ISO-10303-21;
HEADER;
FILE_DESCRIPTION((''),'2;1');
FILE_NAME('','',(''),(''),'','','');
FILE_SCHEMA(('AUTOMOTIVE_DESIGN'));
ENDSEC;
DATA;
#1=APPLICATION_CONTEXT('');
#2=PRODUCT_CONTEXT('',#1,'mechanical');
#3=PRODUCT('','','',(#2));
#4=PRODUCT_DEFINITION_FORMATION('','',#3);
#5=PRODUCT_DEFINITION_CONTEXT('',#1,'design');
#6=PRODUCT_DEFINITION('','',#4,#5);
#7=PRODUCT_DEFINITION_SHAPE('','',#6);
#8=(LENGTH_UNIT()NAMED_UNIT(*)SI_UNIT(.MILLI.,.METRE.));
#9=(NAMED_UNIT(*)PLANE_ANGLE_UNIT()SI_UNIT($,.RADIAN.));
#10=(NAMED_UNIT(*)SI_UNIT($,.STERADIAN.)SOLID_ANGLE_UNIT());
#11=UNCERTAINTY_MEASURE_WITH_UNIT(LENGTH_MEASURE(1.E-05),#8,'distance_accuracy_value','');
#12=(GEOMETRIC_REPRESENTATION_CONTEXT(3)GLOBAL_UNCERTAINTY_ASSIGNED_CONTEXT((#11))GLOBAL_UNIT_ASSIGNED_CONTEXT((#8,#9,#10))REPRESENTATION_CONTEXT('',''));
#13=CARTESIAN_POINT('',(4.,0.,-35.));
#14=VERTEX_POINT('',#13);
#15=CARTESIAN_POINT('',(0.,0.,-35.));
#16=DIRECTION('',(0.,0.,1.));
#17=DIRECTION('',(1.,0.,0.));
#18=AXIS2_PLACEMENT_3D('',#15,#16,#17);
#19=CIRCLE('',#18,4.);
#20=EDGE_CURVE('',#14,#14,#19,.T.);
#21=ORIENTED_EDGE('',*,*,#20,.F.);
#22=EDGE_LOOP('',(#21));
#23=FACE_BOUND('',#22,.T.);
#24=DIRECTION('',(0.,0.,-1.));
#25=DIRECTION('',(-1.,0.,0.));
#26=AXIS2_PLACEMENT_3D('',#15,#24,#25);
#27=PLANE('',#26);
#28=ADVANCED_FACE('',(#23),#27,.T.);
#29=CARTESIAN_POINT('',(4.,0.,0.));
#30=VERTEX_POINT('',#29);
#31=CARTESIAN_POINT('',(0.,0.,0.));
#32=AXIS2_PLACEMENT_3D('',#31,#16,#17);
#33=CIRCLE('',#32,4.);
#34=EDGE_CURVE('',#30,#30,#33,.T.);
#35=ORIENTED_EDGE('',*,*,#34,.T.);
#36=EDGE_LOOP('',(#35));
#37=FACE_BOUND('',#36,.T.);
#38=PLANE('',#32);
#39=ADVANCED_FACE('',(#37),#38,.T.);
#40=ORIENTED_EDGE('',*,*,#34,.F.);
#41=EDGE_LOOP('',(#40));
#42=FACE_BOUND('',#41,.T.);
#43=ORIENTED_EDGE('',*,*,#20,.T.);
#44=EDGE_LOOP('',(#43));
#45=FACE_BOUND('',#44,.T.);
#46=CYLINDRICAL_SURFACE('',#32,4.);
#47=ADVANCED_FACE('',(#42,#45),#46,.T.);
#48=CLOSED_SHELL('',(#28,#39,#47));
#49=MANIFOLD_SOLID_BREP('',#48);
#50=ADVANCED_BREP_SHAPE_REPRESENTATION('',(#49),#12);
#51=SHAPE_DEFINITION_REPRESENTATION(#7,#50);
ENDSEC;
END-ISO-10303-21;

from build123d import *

# Parameters (mm, degrees)
SKETCH1_W = 4
SKETCH1_H = 35


with BuildPart() as part:
    # Sketch1 → Revolve1 (revolve)
    with BuildSketch(Plane(origin=(0, 0, 0), x_dir=(1, 0, 0), z_dir=(0, 1, 0))):
        with Locations((2, 17.5)):
            Rectangle(SKETCH1_W, SKETCH1_H)
    revolve(axis=Axis((0, 0, 0), (0, 0, -1)))


solid = part.part
